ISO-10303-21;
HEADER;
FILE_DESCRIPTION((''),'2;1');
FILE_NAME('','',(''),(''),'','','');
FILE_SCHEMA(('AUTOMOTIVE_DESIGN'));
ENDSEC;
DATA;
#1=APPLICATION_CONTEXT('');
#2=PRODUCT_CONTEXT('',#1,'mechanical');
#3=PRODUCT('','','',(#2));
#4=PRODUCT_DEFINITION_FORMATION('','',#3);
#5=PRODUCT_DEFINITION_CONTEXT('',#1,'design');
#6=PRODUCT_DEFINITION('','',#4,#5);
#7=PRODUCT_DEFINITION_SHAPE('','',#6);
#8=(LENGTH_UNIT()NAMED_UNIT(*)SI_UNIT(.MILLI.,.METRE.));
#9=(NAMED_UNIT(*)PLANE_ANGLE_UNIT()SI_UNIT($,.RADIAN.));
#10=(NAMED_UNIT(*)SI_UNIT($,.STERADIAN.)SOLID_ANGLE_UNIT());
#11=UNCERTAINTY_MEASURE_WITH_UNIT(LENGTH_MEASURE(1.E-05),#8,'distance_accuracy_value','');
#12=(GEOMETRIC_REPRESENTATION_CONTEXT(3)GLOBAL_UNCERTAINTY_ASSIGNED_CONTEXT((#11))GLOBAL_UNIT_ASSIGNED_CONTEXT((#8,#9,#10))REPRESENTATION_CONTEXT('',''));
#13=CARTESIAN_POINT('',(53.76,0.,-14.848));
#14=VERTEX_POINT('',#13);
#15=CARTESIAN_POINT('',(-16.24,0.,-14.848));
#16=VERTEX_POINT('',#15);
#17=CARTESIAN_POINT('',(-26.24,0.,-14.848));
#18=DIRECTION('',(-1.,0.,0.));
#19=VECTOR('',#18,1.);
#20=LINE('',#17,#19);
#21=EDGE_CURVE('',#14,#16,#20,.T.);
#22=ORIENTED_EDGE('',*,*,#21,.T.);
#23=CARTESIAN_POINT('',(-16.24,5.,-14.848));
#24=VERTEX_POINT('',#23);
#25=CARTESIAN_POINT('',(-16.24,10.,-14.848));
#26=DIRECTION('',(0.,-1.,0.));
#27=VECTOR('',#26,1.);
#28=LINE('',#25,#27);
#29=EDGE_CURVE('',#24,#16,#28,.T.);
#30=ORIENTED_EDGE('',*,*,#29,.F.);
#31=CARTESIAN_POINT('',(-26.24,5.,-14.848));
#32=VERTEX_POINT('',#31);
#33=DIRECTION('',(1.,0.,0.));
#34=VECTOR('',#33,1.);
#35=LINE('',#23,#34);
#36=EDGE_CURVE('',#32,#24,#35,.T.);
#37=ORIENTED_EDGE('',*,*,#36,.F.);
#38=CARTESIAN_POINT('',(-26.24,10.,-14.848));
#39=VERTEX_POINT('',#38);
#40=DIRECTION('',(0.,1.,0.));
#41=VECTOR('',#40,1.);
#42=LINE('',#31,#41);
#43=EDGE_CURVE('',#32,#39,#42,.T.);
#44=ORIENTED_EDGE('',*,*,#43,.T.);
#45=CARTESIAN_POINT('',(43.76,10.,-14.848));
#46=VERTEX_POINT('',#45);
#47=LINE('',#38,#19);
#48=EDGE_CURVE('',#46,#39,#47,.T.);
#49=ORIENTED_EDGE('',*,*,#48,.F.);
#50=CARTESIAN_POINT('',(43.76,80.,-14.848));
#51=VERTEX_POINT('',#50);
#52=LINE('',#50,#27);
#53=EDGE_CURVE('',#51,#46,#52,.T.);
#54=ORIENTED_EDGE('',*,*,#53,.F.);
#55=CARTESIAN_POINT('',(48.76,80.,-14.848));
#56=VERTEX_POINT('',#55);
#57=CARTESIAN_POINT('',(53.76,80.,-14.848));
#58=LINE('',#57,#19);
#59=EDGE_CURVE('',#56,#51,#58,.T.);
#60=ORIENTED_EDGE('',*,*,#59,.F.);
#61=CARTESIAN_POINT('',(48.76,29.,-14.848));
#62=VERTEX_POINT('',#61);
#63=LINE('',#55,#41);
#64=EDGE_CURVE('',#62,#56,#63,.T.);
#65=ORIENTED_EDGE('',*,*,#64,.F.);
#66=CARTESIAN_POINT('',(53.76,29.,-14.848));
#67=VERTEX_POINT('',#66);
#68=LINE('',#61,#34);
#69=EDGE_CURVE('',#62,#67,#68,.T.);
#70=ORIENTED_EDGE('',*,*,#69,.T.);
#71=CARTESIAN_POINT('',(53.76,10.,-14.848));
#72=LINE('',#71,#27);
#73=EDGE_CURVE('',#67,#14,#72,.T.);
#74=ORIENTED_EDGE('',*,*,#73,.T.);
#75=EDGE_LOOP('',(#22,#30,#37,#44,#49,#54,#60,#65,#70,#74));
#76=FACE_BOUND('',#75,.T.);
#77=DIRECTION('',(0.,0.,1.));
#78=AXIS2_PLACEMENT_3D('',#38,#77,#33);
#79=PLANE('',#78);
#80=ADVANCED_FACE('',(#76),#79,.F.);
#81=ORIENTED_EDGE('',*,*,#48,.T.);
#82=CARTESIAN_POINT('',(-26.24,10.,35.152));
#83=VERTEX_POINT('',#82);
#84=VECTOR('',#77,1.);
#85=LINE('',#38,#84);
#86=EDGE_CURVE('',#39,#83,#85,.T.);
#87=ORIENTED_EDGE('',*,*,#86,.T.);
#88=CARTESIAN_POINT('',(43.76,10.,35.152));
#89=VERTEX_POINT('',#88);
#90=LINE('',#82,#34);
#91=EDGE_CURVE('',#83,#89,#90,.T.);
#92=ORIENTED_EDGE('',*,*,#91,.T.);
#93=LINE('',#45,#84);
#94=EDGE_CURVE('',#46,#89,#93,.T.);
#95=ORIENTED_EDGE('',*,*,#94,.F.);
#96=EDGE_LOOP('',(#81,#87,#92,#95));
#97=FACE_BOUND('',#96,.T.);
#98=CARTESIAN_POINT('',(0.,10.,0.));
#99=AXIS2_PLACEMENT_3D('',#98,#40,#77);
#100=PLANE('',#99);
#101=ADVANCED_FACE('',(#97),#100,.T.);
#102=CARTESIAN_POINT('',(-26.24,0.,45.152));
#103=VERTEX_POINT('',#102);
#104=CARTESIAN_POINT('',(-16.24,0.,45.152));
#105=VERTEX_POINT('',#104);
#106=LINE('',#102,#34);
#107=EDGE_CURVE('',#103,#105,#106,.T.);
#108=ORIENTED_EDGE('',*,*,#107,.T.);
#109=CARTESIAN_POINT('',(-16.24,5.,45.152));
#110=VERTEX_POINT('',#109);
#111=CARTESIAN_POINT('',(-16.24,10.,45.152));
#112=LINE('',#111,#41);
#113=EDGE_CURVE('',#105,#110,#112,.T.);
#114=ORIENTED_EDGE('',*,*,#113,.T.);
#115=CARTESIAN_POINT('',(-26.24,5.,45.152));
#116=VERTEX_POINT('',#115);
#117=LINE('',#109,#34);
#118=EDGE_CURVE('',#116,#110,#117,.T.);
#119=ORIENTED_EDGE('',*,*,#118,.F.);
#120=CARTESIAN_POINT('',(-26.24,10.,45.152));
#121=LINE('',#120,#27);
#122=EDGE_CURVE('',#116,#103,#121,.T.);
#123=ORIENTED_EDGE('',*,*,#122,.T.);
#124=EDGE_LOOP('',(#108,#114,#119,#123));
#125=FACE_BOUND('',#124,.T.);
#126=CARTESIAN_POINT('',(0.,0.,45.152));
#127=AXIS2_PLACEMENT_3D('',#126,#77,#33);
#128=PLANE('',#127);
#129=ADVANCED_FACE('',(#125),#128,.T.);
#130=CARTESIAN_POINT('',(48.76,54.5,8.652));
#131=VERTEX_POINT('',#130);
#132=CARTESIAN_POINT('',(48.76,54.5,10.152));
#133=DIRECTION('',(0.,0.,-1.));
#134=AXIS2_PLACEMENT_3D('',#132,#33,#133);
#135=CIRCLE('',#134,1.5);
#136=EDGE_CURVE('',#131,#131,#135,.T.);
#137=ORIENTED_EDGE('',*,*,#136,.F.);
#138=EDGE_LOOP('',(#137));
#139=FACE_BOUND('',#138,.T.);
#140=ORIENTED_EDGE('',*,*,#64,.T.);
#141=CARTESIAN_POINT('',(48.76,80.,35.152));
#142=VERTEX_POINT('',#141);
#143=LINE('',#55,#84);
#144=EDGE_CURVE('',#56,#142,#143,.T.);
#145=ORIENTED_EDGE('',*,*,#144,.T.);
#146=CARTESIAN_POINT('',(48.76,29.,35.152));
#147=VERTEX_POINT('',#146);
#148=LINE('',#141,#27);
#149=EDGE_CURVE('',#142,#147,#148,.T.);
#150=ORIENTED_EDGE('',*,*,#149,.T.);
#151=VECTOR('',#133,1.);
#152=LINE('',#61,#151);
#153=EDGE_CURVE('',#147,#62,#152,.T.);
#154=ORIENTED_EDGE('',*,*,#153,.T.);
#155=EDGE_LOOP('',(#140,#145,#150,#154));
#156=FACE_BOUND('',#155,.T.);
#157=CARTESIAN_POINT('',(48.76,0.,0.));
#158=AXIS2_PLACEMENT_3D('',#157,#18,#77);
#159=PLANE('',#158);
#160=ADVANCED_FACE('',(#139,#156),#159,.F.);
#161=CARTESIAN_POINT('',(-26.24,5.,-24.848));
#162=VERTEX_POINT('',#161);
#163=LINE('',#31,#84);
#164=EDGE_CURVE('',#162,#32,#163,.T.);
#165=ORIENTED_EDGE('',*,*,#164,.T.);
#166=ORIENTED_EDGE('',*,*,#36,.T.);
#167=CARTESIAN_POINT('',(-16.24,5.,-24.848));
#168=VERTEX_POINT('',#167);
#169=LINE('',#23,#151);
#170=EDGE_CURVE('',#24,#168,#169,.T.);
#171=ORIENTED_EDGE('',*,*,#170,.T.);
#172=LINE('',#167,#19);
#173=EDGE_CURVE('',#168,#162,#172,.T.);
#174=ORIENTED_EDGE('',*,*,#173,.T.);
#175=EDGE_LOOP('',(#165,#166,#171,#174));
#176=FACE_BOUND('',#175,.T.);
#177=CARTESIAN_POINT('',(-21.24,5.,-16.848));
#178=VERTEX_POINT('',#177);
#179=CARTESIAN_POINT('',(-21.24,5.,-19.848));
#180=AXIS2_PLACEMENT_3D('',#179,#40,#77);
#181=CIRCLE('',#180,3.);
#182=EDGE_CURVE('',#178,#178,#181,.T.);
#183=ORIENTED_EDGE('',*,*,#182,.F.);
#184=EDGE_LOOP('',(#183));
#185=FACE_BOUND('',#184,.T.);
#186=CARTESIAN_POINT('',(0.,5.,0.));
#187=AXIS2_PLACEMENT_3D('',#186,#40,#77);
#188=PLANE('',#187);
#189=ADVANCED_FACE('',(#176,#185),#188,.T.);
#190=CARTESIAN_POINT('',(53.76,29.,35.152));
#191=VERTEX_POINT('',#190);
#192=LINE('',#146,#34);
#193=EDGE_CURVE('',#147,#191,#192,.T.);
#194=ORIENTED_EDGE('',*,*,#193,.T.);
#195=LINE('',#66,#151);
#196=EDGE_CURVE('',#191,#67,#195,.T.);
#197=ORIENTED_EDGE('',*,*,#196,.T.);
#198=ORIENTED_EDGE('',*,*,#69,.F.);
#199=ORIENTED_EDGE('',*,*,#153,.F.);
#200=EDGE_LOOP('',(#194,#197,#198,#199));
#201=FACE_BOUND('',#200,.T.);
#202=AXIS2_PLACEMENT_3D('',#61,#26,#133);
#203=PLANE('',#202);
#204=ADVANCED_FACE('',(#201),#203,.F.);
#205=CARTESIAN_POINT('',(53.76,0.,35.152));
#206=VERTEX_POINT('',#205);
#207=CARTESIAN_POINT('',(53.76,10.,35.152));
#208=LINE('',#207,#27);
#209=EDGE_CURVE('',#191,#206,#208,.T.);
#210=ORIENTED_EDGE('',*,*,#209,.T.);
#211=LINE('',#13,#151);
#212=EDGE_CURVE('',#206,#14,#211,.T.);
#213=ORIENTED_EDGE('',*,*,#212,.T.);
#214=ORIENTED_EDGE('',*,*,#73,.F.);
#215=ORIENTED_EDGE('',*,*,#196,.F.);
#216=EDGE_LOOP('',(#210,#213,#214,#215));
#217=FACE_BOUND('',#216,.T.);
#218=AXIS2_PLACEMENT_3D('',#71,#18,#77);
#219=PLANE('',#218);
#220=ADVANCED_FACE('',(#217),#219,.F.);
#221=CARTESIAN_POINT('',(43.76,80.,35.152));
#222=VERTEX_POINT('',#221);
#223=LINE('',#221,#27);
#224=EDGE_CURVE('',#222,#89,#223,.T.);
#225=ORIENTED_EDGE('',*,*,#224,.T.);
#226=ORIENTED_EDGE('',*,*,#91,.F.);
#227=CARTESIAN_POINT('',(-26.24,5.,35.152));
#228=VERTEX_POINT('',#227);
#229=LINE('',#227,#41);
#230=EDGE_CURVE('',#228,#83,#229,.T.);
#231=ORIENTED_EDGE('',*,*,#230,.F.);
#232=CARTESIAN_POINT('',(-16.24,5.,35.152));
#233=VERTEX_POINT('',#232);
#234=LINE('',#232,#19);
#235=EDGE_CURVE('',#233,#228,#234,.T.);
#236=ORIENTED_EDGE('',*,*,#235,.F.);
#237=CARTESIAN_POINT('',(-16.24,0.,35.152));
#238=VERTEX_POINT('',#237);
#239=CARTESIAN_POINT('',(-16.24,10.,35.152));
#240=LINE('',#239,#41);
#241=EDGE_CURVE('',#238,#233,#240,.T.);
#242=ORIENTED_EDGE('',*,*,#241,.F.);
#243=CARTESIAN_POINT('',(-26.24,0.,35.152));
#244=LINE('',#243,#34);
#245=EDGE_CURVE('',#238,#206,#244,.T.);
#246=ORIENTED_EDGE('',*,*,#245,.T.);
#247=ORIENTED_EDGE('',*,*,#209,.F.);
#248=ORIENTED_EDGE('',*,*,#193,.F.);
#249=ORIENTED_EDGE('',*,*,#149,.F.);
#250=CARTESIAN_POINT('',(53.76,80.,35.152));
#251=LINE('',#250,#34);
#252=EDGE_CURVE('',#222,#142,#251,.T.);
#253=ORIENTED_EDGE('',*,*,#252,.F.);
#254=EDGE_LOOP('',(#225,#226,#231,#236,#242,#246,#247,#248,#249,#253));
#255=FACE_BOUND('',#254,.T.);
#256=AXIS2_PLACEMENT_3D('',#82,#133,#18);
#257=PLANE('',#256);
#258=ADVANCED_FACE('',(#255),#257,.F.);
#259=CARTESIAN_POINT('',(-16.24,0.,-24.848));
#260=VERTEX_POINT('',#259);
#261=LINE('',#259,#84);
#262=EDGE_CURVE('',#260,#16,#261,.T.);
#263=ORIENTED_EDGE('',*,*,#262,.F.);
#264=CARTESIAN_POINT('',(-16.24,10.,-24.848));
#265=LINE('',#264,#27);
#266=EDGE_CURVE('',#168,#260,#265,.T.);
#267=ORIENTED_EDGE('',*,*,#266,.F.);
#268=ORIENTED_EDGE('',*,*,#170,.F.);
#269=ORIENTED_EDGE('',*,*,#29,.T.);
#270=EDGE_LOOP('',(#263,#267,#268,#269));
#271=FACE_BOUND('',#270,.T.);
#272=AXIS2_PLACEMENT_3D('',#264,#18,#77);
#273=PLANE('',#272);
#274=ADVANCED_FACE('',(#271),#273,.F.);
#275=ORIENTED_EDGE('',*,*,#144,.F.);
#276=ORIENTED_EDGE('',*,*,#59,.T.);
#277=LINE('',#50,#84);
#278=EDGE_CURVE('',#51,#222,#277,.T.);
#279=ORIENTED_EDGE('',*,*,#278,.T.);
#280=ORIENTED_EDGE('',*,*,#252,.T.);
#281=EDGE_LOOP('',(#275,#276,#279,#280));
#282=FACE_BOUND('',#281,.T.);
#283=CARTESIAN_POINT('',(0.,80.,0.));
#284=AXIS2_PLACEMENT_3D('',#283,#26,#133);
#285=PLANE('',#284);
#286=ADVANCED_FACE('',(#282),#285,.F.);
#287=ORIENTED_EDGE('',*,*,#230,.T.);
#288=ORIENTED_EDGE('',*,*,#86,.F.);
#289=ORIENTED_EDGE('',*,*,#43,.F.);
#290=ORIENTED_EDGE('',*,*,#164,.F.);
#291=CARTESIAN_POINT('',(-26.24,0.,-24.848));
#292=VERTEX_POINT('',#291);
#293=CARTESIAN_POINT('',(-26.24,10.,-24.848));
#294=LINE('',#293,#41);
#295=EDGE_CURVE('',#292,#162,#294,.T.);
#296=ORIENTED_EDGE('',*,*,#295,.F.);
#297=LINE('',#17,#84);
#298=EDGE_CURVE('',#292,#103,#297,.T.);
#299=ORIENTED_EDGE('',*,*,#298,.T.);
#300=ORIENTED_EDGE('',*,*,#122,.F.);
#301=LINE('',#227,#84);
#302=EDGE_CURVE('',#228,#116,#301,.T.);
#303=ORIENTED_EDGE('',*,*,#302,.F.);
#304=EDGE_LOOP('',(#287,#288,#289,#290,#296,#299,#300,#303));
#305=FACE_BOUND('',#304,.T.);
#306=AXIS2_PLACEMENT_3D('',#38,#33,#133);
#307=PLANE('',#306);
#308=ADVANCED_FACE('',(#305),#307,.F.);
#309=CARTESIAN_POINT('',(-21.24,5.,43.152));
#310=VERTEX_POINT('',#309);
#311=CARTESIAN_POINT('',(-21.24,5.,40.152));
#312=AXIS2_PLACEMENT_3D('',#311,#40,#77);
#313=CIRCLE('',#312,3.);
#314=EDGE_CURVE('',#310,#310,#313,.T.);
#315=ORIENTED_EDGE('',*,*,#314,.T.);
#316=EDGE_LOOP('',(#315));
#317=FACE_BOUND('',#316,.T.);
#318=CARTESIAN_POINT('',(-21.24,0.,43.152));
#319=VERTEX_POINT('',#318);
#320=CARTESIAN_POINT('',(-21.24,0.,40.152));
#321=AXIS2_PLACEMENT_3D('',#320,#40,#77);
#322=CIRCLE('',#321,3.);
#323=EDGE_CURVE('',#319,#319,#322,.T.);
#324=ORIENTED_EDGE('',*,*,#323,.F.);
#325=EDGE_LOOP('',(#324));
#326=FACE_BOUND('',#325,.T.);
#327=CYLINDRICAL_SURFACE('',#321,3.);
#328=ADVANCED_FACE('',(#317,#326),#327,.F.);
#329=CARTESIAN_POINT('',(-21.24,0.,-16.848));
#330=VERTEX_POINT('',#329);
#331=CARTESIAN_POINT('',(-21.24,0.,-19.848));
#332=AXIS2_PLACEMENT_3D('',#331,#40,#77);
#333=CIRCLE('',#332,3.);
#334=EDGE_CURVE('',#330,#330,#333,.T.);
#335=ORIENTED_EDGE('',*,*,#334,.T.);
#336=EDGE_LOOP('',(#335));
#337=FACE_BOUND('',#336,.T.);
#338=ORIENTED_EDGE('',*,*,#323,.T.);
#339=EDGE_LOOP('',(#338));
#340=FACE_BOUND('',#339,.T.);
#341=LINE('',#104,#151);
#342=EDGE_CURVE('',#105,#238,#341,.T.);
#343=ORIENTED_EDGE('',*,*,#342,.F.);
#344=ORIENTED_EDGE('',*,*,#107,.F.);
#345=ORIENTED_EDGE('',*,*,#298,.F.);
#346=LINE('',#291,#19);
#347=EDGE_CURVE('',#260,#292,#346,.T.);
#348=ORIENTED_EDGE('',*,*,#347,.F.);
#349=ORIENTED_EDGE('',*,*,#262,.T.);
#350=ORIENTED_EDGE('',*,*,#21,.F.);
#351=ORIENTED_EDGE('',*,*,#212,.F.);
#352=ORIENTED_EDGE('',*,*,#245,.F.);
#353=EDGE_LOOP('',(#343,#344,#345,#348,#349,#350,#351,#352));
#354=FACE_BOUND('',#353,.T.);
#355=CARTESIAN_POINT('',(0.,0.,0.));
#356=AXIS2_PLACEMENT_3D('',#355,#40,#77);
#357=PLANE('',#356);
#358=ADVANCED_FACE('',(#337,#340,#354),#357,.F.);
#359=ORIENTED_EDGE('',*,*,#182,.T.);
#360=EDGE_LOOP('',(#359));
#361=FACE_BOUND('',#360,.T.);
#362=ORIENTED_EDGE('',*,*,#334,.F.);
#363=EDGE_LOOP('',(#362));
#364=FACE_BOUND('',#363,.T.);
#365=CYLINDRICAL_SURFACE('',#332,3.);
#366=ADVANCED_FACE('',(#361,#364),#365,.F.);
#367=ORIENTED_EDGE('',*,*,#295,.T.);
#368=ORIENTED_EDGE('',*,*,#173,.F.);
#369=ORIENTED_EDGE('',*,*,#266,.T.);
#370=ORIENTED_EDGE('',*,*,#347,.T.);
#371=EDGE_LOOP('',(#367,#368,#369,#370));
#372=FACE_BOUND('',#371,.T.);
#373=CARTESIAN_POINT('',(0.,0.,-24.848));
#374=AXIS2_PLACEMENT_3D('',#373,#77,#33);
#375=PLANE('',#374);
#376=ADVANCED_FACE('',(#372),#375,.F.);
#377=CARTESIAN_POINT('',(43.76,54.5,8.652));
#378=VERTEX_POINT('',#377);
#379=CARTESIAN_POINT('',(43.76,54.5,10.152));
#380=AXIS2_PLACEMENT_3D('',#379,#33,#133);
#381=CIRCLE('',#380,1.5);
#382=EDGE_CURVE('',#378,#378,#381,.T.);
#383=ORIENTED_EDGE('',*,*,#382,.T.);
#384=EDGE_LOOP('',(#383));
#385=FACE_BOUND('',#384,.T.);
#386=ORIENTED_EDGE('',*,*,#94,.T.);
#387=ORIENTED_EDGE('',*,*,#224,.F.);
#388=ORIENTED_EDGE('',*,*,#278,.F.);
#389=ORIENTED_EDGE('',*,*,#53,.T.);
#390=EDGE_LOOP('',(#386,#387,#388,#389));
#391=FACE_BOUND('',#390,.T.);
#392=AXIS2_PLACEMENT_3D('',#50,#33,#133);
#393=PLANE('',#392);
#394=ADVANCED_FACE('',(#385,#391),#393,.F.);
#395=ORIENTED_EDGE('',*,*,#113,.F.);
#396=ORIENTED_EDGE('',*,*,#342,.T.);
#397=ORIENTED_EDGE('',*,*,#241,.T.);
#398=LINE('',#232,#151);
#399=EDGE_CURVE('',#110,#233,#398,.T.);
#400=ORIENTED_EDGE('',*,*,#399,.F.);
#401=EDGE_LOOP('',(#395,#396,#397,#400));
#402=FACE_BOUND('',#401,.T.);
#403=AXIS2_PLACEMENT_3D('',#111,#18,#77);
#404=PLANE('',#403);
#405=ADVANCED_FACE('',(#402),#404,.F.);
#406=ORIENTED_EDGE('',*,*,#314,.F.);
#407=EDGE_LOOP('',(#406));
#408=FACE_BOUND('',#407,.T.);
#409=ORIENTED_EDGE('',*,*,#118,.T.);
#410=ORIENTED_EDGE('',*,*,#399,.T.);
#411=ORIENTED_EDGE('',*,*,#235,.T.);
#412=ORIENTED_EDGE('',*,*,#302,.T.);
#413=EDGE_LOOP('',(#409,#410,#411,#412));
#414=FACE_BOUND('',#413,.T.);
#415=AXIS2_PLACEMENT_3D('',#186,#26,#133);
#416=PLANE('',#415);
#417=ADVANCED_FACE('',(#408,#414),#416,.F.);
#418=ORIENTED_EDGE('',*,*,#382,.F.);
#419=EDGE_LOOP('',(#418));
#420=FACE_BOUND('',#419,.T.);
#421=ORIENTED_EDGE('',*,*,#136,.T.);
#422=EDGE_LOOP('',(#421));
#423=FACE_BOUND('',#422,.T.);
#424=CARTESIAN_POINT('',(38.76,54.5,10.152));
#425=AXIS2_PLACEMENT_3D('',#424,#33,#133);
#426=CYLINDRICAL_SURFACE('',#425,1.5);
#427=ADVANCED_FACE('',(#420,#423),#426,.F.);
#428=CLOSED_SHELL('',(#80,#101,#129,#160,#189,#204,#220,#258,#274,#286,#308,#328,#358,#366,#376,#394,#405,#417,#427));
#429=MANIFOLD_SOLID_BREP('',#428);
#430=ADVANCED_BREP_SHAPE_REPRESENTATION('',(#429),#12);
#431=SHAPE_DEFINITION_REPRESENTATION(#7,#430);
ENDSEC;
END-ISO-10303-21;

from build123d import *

# Parameters (mm, degrees)
SKETCH1_W           = 80
SKETCH1_H           = 50
BOSS_EXTRUDE1_DEPTH = 10
SKETCH2_W           = 10
SKETCH2_H           = 10
BOSS_EXTRUDE2_DEPTH = 10
SKETCH3_W           = 10
SKETCH3_H           = 10
CUT_EXTRUDE1_DEPTH  = 5
SKETCH4_R           = 3
CUT_EXTRUDE2_DEPTH  = 5
SKETCH5_W           = 10
SKETCH5_H           = 10
BOSS_EXTRUDE3_DEPTH = 10
SKETCH6_W           = 10
SKETCH6_H           = 10
CUT_EXTRUDE3_DEPTH  = 5
SKETCH7_R           = 3
CUT_EXTRUDE4_DEPTH  = 5
SKETCH10_W          = 10
SKETCH10_H          = 50
BOSS_EXTRUDE4_DEPTH = 70
SKETCH11_W          = 50
SKETCH11_H          = 51
CUT_EXTRUDE5_DEPTH  = 5
SKETCH12_R          = 1.5
CUT_EXTRUDE7_DEPTH  = 10


with BuildPart() as part:
    # Sketch1 → Boss-Extrude1 (new body)
    with BuildSketch(Plane(origin=(0, 0, 0), x_dir=(1, 0, 0), z_dir=(0, 1, 0))):
        with Locations((13.76, -10.152)):
            Rectangle(SKETCH1_W, SKETCH1_H)
    extrude(amount=BOSS_EXTRUDE1_DEPTH)

    # Sketch2 → Boss-Extrude2 (add)
    with BuildSketch(Plane.XY.offset(35.152)):
        with Locations((-21.24, 5)):
            Rectangle(SKETCH2_W, SKETCH2_H)
    extrude(amount=BOSS_EXTRUDE2_DEPTH)

    # Sketch3 → Cut-Extrude1 (cut)
    with BuildSketch(Plane(origin=(0, 10, 0), x_dir=(1, 0, 0), z_dir=(0, 1, 0))):
        with Locations((-21.24, -40.152)):
            Rectangle(SKETCH3_W, SKETCH3_H)
    extrude(amount=-CUT_EXTRUDE1_DEPTH, mode=Mode.SUBTRACT)

    # Sketch4 → Cut-Extrude2 (cut)
    with BuildSketch(Plane(origin=(0, 5, 0), x_dir=(1, 0, 0), z_dir=(0, 1, 0))):
        with Locations((-21.24, -40.152)):
            Circle(SKETCH4_R)
    extrude(amount=-CUT_EXTRUDE2_DEPTH, mode=Mode.SUBTRACT)

    # Sketch5 → Boss-Extrude3 (add)
    with BuildSketch(Plane(origin=(0, 0, -14.848), x_dir=(-1, 0, 0), z_dir=(0, 0, -1))):
        with Locations((21.24, 5)):
            Rectangle(SKETCH5_W, SKETCH5_H)
    extrude(amount=BOSS_EXTRUDE3_DEPTH)

    # Sketch6 → Cut-Extrude3 (cut)
    with BuildSketch(Plane(origin=(0, 10, 0), x_dir=(1, 0, 0), z_dir=(0, 1, 0))):
        with Locations((-21.24, 19.848)):
            Rectangle(SKETCH6_W, SKETCH6_H)
    extrude(amount=-CUT_EXTRUDE3_DEPTH, mode=Mode.SUBTRACT)

    # Sketch7 → Cut-Extrude4 (cut)
    with BuildSketch(Plane(origin=(0, 5, 0), x_dir=(1, 0, 0), z_dir=(0, 1, 0))):
        with Locations((-21.24, 19.848)):
            Circle(SKETCH7_R)
    extrude(amount=-CUT_EXTRUDE4_DEPTH, mode=Mode.SUBTRACT)

    # Sketch10 → Boss-Extrude4 (add)
    with BuildSketch(Plane(origin=(0, 10, 0), x_dir=(1, 0, 0), z_dir=(0, 1, 0))):
        with Locations((48.76, -10.152)):
            Rectangle(SKETCH10_W, SKETCH10_H)
    extrude(amount=BOSS_EXTRUDE4_DEPTH)

    # Sketch11 → Cut-Extrude5 (cut)
    with BuildSketch(Plane(origin=(53.76, 0, 0), x_dir=(0, 0, -1), z_dir=(1, 0, 0))):
        with Locations((-10.152, 54.5)):
            Rectangle(SKETCH11_W, SKETCH11_H)
    extrude(amount=-CUT_EXTRUDE5_DEPTH, mode=Mode.SUBTRACT)

    # Sketch12 → Cut-Extrude7 (cut)
    with BuildSketch(Plane(origin=(48.76, 0, 0), x_dir=(0, 0, -1), z_dir=(1, 0, 0))):
        with Locations((-10.152, 54.5)):
            Circle(SKETCH12_R)
    extrude(amount=-CUT_EXTRUDE7_DEPTH, mode=Mode.SUBTRACT)


solid = part.part
